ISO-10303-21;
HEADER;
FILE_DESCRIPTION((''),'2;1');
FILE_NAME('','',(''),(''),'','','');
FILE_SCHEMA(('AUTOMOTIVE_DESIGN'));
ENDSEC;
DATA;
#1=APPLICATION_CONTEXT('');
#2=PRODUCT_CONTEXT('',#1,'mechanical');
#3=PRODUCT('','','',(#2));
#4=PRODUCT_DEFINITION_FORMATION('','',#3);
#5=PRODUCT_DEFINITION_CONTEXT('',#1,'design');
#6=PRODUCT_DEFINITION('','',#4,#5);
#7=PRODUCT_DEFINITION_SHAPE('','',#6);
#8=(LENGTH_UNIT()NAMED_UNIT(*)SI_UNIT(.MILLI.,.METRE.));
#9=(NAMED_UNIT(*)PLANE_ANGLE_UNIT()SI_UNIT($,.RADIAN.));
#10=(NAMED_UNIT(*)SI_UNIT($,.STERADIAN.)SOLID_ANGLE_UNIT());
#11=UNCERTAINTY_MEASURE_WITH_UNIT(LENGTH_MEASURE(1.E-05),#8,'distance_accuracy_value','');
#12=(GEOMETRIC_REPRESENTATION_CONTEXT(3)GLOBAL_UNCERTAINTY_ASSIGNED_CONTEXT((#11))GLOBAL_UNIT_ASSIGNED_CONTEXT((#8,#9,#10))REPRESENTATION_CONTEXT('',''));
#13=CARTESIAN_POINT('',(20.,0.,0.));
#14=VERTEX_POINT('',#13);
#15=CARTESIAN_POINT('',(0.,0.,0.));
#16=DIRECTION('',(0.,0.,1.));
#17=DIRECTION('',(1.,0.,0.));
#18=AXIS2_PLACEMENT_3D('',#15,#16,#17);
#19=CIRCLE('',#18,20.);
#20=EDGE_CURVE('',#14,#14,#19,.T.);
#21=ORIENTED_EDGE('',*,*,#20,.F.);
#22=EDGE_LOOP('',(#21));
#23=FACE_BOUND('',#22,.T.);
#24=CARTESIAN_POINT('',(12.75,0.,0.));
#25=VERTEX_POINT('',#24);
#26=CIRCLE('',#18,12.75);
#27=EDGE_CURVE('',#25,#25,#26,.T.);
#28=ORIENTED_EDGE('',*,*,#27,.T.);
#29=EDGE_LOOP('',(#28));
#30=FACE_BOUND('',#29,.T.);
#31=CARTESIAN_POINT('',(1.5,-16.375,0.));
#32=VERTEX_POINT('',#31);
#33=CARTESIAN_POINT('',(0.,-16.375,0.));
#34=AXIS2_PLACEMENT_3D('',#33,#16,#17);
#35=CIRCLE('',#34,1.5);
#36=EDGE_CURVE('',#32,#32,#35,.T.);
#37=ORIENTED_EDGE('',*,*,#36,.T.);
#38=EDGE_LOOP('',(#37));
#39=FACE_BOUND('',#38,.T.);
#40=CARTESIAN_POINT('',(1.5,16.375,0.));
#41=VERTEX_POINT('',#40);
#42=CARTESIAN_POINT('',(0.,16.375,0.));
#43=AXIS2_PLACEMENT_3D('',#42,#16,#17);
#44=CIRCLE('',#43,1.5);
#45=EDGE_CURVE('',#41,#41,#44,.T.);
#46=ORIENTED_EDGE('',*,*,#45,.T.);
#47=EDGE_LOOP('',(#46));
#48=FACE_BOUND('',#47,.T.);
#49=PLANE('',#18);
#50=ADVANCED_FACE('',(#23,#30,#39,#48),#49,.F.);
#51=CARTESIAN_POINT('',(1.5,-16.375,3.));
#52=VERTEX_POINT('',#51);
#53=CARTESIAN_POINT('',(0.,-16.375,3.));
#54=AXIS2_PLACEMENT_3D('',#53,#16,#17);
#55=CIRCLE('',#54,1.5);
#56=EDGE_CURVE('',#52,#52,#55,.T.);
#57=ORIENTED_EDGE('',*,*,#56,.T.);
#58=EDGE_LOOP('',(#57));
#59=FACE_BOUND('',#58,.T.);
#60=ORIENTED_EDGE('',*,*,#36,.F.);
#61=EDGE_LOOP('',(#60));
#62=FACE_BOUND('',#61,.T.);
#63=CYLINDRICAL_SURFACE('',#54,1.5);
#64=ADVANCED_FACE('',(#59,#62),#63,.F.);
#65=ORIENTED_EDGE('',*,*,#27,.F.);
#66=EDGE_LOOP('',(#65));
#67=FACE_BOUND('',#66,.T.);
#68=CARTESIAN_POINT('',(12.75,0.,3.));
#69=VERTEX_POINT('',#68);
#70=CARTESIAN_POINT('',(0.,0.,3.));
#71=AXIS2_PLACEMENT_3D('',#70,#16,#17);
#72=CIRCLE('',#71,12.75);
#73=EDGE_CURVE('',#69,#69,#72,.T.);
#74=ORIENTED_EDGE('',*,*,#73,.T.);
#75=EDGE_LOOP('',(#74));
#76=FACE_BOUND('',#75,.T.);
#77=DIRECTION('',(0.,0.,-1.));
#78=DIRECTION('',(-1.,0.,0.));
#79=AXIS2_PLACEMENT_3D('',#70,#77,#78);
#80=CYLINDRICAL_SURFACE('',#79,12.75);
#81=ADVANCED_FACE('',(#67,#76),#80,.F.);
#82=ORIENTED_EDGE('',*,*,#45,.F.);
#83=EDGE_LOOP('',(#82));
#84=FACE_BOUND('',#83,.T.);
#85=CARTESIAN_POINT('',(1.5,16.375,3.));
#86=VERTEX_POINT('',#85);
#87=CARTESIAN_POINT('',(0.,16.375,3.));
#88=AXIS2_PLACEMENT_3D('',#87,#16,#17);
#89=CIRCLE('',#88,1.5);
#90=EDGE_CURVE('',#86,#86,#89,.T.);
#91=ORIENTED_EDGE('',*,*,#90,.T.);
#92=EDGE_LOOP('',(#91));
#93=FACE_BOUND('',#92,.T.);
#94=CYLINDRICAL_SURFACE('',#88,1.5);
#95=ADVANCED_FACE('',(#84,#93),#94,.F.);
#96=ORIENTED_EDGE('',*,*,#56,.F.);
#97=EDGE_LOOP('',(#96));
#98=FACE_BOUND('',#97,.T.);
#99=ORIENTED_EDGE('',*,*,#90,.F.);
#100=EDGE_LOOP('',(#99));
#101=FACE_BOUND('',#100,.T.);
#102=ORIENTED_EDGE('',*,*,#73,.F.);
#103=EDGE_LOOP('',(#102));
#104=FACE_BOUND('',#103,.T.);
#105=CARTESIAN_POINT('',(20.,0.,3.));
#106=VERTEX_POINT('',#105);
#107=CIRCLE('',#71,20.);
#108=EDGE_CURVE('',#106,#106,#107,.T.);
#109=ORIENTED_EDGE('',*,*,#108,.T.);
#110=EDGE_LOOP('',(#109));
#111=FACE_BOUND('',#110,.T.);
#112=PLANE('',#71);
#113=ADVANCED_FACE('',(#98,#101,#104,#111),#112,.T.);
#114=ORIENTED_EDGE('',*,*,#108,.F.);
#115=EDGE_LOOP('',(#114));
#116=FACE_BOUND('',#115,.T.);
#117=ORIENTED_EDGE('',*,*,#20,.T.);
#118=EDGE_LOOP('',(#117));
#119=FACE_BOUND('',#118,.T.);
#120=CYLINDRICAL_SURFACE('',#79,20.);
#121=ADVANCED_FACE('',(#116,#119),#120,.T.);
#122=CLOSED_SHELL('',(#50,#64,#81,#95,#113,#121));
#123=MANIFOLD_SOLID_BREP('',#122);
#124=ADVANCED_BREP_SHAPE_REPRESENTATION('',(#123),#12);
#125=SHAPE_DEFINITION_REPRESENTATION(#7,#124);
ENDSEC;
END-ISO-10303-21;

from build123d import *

# Parameters (mm, degrees)
SKETCH1_R             = 20
SKETCH1_R_2           = 12.75
BOSS_EXTRUDE1_DEPTH   = 3
F_3_0MM_DOWEL_HOLE1_D = 3


with BuildPart() as part:
    # Sketch1 → Boss-Extrude1 (new body)
    with BuildSketch(Plane.XY):
        Circle(SKETCH1_R)
        Circle(SKETCH1_R_2, mode=Mode.SUBTRACT)
    extrude(amount=BOSS_EXTRUDE1_DEPTH)

    # Ø3.0mm Dowel Hole1 (through all)
    with Locations(Plane.XY.offset(3)):
        with Locations((0, 16.375), (0, -16.375)):
            Hole(F_3_0MM_DOWEL_HOLE1_D / 2)


solid = part.part
